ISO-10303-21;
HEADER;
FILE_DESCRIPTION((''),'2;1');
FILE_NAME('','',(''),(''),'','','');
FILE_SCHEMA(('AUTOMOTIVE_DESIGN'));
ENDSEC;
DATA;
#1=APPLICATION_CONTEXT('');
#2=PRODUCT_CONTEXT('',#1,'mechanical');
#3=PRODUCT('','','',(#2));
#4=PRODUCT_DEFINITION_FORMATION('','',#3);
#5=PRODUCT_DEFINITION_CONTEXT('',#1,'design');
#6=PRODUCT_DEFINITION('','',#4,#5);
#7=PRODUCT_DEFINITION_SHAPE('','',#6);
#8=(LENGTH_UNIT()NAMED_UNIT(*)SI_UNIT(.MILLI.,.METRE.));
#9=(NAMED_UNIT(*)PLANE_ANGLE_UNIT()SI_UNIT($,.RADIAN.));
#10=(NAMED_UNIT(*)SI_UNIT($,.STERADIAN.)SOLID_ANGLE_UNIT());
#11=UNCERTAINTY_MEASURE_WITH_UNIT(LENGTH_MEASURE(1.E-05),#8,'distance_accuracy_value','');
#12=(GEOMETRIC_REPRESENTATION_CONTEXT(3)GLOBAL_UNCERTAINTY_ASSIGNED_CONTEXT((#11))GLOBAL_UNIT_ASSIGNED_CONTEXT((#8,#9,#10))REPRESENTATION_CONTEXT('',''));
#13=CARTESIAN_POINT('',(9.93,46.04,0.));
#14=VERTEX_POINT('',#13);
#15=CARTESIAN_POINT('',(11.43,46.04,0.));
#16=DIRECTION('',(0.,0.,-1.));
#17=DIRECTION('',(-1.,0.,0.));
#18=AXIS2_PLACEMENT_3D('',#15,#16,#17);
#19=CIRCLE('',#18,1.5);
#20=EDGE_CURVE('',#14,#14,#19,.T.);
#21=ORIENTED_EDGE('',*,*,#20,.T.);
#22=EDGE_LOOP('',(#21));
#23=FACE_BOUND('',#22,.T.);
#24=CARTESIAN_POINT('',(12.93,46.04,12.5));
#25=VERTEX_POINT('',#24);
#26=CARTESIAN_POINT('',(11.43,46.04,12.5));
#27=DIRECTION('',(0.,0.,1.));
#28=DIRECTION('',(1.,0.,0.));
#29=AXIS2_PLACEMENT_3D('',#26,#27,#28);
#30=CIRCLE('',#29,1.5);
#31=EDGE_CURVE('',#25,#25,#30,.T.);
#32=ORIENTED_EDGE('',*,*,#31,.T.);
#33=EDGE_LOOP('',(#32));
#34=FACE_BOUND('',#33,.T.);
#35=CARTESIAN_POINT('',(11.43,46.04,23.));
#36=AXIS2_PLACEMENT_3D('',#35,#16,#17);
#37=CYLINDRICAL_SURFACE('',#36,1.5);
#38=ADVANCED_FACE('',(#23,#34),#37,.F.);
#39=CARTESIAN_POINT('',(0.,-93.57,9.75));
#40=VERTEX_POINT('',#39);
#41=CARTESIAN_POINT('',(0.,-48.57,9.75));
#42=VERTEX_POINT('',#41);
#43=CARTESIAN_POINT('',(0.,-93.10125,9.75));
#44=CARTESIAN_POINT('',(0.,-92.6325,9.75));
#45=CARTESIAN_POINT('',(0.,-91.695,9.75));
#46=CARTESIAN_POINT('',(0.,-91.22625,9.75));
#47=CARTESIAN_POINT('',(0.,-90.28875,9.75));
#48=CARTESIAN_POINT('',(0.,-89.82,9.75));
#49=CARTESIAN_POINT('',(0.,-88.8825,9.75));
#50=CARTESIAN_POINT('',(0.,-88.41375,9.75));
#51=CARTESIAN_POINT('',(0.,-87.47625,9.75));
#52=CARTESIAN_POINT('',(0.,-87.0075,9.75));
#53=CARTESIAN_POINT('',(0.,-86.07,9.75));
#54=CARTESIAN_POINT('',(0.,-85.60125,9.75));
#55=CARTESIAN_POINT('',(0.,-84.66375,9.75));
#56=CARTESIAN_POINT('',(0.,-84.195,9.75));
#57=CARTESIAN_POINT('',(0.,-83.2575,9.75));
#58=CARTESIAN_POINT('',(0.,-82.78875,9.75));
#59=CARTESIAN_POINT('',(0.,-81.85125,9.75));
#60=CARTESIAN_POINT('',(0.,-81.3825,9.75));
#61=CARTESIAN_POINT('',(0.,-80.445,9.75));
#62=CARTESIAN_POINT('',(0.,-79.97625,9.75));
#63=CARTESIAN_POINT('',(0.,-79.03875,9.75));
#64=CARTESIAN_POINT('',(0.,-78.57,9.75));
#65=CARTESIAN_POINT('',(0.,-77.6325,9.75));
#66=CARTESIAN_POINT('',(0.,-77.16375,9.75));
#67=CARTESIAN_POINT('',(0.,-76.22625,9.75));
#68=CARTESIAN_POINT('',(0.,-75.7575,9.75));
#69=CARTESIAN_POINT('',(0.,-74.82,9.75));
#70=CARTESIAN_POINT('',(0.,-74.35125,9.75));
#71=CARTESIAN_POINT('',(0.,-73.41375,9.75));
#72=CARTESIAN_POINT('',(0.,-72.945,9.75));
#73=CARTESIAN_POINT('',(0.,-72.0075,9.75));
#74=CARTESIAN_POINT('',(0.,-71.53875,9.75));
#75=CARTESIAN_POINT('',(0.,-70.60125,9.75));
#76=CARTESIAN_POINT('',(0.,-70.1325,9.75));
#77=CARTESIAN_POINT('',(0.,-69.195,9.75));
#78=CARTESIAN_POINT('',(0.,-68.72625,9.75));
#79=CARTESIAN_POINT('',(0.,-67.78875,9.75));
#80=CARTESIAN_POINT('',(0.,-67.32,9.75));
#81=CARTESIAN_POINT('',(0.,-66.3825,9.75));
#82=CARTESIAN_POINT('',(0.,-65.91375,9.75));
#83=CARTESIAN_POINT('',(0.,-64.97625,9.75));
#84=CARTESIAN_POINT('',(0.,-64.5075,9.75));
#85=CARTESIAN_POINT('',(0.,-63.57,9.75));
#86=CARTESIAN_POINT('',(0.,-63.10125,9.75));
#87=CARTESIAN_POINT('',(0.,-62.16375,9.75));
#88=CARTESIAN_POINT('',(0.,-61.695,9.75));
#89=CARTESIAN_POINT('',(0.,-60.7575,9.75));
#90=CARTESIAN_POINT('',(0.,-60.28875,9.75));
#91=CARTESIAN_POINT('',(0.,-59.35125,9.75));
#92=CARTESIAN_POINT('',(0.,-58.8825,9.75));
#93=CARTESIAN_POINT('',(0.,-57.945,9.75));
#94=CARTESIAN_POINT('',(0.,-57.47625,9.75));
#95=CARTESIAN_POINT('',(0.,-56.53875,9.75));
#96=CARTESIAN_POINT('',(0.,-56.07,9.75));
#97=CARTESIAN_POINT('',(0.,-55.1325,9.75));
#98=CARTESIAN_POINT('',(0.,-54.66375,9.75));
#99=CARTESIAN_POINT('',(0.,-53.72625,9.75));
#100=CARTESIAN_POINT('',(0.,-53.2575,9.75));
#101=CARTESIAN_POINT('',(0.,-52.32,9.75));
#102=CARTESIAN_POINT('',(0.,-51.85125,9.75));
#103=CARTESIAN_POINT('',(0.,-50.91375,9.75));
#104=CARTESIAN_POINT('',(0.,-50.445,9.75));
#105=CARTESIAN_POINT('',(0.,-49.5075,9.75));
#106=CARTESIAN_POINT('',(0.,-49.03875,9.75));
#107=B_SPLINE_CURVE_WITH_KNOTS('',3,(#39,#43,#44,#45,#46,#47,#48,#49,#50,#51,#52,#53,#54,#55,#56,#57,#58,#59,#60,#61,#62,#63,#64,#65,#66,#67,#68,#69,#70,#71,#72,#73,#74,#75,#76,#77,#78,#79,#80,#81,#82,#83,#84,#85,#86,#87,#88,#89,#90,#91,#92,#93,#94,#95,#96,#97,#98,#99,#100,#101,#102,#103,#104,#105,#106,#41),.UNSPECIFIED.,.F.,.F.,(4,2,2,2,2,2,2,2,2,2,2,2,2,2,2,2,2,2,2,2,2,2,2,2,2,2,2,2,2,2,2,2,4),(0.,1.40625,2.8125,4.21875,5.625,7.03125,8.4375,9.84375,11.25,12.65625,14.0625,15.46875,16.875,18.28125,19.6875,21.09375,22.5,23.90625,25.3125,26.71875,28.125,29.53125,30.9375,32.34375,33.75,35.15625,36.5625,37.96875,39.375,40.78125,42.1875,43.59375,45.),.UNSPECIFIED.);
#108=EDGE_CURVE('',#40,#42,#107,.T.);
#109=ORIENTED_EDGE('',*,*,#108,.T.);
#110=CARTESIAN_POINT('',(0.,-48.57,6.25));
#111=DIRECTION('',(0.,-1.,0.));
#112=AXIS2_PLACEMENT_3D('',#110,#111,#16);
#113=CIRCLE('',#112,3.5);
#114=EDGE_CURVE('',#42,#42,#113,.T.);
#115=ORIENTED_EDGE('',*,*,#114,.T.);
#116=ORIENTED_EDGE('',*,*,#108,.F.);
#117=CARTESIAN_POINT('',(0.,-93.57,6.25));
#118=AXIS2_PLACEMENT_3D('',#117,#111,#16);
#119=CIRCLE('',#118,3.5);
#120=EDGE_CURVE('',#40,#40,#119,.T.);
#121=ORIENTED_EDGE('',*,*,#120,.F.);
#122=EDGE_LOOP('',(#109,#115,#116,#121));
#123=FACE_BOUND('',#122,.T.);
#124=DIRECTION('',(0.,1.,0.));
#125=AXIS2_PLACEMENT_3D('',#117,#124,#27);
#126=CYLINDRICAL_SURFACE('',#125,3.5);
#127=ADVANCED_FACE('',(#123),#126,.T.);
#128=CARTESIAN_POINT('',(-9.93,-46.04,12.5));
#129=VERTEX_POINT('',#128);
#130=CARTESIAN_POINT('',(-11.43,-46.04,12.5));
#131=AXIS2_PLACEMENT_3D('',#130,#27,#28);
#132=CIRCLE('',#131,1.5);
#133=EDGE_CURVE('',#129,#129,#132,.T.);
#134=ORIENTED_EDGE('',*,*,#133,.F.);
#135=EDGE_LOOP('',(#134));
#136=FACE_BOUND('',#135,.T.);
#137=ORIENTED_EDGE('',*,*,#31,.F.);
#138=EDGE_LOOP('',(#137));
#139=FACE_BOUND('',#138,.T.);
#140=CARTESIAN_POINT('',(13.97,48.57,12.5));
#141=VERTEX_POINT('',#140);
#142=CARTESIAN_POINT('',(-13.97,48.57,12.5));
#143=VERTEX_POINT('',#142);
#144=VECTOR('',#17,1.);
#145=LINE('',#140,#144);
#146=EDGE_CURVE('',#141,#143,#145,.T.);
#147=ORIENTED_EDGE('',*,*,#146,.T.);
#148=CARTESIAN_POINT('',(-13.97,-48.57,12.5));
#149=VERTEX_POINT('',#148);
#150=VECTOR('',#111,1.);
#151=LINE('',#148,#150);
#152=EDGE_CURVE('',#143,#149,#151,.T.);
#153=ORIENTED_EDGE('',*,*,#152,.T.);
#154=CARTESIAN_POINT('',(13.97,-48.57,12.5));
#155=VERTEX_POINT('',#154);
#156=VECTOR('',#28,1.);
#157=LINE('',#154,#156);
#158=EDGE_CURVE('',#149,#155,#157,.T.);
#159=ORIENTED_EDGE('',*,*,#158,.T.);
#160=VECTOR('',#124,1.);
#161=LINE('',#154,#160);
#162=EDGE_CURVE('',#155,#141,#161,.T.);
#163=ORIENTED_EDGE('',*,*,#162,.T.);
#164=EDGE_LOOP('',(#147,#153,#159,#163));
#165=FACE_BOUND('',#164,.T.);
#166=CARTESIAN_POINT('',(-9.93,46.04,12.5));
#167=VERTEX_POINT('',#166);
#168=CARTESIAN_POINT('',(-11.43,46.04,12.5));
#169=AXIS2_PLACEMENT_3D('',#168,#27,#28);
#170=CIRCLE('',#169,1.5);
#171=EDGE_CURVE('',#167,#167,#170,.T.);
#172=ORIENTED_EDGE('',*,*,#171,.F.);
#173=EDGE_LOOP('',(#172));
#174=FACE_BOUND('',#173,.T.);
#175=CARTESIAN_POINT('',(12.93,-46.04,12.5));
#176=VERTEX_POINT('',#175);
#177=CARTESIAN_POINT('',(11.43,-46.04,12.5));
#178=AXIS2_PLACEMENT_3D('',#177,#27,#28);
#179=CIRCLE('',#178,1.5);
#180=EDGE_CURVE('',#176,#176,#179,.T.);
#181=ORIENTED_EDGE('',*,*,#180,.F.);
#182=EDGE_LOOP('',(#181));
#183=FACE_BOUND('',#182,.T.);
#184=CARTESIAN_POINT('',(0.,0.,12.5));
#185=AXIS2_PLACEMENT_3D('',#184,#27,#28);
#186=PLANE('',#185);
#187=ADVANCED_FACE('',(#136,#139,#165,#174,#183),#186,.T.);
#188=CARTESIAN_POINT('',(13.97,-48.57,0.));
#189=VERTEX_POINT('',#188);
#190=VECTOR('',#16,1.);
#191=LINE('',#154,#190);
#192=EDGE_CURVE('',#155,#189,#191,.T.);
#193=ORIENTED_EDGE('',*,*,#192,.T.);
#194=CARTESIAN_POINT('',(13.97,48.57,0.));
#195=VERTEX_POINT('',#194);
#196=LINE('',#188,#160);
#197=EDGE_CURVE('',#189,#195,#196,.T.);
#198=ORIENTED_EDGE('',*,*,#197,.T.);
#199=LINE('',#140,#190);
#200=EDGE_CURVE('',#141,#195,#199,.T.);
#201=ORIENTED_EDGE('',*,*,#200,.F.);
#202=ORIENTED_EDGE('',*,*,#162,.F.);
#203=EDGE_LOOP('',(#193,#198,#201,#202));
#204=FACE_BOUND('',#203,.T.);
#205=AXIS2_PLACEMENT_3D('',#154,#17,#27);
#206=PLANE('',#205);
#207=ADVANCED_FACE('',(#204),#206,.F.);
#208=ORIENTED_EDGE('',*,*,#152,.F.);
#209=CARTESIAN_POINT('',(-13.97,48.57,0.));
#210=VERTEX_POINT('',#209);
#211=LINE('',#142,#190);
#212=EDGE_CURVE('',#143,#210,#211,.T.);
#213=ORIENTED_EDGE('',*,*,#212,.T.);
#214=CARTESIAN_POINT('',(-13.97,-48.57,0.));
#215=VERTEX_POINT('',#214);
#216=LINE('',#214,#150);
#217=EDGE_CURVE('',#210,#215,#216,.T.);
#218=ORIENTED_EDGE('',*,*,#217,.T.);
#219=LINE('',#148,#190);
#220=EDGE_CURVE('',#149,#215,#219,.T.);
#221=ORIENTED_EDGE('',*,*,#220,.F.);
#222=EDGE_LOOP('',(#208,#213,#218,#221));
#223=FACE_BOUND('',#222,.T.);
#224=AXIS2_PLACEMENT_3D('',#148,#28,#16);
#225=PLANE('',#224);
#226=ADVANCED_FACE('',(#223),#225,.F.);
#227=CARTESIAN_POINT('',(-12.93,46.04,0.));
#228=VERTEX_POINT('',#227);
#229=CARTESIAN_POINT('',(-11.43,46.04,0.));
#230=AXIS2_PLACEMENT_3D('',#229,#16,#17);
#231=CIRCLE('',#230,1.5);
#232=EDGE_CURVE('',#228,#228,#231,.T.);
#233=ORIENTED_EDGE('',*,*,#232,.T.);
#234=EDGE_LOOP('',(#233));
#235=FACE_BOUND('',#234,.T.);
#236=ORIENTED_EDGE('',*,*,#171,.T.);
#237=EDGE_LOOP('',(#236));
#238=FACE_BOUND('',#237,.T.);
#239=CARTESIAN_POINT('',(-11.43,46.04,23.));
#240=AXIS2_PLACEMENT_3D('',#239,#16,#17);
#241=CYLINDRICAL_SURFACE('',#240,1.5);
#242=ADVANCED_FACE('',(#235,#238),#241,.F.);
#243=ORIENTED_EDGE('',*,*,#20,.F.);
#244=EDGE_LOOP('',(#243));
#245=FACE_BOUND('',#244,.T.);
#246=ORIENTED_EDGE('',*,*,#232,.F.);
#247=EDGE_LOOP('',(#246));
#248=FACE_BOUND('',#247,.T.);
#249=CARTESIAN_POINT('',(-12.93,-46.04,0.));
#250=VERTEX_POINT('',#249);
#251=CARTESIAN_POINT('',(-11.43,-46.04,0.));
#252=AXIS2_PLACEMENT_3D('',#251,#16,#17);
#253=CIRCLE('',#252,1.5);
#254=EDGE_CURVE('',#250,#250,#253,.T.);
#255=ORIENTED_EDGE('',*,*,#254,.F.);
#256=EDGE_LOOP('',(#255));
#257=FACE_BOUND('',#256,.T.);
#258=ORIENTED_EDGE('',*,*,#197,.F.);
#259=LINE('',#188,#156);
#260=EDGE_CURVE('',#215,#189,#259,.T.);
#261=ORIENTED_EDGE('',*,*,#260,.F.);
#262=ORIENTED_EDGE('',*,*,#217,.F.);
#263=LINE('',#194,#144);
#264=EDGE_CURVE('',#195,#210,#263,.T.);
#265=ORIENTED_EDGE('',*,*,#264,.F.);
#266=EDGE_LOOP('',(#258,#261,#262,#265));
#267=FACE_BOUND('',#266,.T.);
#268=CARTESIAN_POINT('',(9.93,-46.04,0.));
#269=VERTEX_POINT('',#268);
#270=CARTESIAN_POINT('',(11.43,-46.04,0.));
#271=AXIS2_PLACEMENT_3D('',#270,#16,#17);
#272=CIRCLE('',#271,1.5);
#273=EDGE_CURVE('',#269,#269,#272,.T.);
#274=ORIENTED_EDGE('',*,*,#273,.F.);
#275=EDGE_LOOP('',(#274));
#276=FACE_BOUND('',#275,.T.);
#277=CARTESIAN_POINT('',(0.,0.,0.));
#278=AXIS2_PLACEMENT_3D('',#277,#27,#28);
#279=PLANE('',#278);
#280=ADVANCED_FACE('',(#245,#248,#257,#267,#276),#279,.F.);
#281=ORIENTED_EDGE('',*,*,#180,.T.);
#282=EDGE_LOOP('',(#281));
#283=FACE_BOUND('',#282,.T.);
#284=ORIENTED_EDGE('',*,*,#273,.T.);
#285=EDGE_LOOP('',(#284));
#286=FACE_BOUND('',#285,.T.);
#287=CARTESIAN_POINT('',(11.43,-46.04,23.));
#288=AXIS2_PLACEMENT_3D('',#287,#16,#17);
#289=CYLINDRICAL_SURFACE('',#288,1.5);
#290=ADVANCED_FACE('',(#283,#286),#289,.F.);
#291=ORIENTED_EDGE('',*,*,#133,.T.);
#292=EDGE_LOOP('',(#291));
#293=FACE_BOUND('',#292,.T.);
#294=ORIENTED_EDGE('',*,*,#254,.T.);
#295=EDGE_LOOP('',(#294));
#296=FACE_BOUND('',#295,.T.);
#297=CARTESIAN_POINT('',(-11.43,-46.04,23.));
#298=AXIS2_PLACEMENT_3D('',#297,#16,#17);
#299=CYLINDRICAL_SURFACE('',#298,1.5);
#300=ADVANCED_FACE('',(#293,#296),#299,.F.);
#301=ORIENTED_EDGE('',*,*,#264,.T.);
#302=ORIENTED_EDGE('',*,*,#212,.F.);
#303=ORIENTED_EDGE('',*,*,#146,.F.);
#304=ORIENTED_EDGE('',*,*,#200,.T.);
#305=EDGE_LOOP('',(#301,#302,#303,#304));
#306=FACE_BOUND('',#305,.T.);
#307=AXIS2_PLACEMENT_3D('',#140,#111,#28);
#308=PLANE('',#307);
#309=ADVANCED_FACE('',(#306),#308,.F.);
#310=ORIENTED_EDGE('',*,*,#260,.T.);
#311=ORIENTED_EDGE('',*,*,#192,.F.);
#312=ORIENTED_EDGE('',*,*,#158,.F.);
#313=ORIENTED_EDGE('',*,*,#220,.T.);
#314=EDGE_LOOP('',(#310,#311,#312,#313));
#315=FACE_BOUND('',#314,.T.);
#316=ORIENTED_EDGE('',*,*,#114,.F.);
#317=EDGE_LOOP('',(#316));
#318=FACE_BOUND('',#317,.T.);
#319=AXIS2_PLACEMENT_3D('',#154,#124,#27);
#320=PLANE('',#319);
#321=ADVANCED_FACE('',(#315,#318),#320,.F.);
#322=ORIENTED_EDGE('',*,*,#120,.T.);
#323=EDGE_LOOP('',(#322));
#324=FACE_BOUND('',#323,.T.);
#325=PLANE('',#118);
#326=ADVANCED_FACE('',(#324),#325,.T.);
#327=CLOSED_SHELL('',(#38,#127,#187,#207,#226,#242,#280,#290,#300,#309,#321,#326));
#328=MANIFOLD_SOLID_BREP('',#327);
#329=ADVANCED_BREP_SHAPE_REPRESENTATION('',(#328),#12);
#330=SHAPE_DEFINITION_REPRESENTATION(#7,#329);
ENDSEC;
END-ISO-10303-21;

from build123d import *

# Parameters (mm, degrees)
SKETCH1_W           = 27.94
SKETCH1_H           = 97.14
BOSS_EXTRUDE1_DEPTH = 12.5
SKETCH2_R           = 1.5
CUT_EXTRUDE1_DEPTH  = 23
SKETCH3_R           = 3.5
BOSS_EXTRUDE2_DEPTH = 45


with BuildPart() as part:
    # Sketch1 → Boss-Extrude1 (new body)
    with BuildSketch(Plane.XY):
        Rectangle(SKETCH1_W, SKETCH1_H)
    extrude(amount=BOSS_EXTRUDE1_DEPTH)

    # Sketch2 → Cut-Extrude1 (cut)
    with BuildSketch(Plane(origin=(0, 0, 0), x_dir=(-1, 0, 0), z_dir=(0, 0, -1))):
        with Locations((-11.43, 46.04)):
            Circle(SKETCH2_R)
        with Locations((-11.43, -46.04)):
            Circle(SKETCH2_R)
        with Locations((11.43, 46.04)):
            Circle(SKETCH2_R)
        with Locations((11.43, -46.04)):
            Circle(SKETCH2_R)
    extrude(amount=-CUT_EXTRUDE1_DEPTH, mode=Mode.SUBTRACT)

    # Sketch3 → Boss-Extrude2 (add)
    with BuildSketch(Plane.XZ.offset(48.57)):
        with Locations(Location((0, 6.25, 0), (0, 0, 90))):
            Circle(SKETCH3_R)
    extrude(amount=BOSS_EXTRUDE2_DEPTH)


solid = part.part
